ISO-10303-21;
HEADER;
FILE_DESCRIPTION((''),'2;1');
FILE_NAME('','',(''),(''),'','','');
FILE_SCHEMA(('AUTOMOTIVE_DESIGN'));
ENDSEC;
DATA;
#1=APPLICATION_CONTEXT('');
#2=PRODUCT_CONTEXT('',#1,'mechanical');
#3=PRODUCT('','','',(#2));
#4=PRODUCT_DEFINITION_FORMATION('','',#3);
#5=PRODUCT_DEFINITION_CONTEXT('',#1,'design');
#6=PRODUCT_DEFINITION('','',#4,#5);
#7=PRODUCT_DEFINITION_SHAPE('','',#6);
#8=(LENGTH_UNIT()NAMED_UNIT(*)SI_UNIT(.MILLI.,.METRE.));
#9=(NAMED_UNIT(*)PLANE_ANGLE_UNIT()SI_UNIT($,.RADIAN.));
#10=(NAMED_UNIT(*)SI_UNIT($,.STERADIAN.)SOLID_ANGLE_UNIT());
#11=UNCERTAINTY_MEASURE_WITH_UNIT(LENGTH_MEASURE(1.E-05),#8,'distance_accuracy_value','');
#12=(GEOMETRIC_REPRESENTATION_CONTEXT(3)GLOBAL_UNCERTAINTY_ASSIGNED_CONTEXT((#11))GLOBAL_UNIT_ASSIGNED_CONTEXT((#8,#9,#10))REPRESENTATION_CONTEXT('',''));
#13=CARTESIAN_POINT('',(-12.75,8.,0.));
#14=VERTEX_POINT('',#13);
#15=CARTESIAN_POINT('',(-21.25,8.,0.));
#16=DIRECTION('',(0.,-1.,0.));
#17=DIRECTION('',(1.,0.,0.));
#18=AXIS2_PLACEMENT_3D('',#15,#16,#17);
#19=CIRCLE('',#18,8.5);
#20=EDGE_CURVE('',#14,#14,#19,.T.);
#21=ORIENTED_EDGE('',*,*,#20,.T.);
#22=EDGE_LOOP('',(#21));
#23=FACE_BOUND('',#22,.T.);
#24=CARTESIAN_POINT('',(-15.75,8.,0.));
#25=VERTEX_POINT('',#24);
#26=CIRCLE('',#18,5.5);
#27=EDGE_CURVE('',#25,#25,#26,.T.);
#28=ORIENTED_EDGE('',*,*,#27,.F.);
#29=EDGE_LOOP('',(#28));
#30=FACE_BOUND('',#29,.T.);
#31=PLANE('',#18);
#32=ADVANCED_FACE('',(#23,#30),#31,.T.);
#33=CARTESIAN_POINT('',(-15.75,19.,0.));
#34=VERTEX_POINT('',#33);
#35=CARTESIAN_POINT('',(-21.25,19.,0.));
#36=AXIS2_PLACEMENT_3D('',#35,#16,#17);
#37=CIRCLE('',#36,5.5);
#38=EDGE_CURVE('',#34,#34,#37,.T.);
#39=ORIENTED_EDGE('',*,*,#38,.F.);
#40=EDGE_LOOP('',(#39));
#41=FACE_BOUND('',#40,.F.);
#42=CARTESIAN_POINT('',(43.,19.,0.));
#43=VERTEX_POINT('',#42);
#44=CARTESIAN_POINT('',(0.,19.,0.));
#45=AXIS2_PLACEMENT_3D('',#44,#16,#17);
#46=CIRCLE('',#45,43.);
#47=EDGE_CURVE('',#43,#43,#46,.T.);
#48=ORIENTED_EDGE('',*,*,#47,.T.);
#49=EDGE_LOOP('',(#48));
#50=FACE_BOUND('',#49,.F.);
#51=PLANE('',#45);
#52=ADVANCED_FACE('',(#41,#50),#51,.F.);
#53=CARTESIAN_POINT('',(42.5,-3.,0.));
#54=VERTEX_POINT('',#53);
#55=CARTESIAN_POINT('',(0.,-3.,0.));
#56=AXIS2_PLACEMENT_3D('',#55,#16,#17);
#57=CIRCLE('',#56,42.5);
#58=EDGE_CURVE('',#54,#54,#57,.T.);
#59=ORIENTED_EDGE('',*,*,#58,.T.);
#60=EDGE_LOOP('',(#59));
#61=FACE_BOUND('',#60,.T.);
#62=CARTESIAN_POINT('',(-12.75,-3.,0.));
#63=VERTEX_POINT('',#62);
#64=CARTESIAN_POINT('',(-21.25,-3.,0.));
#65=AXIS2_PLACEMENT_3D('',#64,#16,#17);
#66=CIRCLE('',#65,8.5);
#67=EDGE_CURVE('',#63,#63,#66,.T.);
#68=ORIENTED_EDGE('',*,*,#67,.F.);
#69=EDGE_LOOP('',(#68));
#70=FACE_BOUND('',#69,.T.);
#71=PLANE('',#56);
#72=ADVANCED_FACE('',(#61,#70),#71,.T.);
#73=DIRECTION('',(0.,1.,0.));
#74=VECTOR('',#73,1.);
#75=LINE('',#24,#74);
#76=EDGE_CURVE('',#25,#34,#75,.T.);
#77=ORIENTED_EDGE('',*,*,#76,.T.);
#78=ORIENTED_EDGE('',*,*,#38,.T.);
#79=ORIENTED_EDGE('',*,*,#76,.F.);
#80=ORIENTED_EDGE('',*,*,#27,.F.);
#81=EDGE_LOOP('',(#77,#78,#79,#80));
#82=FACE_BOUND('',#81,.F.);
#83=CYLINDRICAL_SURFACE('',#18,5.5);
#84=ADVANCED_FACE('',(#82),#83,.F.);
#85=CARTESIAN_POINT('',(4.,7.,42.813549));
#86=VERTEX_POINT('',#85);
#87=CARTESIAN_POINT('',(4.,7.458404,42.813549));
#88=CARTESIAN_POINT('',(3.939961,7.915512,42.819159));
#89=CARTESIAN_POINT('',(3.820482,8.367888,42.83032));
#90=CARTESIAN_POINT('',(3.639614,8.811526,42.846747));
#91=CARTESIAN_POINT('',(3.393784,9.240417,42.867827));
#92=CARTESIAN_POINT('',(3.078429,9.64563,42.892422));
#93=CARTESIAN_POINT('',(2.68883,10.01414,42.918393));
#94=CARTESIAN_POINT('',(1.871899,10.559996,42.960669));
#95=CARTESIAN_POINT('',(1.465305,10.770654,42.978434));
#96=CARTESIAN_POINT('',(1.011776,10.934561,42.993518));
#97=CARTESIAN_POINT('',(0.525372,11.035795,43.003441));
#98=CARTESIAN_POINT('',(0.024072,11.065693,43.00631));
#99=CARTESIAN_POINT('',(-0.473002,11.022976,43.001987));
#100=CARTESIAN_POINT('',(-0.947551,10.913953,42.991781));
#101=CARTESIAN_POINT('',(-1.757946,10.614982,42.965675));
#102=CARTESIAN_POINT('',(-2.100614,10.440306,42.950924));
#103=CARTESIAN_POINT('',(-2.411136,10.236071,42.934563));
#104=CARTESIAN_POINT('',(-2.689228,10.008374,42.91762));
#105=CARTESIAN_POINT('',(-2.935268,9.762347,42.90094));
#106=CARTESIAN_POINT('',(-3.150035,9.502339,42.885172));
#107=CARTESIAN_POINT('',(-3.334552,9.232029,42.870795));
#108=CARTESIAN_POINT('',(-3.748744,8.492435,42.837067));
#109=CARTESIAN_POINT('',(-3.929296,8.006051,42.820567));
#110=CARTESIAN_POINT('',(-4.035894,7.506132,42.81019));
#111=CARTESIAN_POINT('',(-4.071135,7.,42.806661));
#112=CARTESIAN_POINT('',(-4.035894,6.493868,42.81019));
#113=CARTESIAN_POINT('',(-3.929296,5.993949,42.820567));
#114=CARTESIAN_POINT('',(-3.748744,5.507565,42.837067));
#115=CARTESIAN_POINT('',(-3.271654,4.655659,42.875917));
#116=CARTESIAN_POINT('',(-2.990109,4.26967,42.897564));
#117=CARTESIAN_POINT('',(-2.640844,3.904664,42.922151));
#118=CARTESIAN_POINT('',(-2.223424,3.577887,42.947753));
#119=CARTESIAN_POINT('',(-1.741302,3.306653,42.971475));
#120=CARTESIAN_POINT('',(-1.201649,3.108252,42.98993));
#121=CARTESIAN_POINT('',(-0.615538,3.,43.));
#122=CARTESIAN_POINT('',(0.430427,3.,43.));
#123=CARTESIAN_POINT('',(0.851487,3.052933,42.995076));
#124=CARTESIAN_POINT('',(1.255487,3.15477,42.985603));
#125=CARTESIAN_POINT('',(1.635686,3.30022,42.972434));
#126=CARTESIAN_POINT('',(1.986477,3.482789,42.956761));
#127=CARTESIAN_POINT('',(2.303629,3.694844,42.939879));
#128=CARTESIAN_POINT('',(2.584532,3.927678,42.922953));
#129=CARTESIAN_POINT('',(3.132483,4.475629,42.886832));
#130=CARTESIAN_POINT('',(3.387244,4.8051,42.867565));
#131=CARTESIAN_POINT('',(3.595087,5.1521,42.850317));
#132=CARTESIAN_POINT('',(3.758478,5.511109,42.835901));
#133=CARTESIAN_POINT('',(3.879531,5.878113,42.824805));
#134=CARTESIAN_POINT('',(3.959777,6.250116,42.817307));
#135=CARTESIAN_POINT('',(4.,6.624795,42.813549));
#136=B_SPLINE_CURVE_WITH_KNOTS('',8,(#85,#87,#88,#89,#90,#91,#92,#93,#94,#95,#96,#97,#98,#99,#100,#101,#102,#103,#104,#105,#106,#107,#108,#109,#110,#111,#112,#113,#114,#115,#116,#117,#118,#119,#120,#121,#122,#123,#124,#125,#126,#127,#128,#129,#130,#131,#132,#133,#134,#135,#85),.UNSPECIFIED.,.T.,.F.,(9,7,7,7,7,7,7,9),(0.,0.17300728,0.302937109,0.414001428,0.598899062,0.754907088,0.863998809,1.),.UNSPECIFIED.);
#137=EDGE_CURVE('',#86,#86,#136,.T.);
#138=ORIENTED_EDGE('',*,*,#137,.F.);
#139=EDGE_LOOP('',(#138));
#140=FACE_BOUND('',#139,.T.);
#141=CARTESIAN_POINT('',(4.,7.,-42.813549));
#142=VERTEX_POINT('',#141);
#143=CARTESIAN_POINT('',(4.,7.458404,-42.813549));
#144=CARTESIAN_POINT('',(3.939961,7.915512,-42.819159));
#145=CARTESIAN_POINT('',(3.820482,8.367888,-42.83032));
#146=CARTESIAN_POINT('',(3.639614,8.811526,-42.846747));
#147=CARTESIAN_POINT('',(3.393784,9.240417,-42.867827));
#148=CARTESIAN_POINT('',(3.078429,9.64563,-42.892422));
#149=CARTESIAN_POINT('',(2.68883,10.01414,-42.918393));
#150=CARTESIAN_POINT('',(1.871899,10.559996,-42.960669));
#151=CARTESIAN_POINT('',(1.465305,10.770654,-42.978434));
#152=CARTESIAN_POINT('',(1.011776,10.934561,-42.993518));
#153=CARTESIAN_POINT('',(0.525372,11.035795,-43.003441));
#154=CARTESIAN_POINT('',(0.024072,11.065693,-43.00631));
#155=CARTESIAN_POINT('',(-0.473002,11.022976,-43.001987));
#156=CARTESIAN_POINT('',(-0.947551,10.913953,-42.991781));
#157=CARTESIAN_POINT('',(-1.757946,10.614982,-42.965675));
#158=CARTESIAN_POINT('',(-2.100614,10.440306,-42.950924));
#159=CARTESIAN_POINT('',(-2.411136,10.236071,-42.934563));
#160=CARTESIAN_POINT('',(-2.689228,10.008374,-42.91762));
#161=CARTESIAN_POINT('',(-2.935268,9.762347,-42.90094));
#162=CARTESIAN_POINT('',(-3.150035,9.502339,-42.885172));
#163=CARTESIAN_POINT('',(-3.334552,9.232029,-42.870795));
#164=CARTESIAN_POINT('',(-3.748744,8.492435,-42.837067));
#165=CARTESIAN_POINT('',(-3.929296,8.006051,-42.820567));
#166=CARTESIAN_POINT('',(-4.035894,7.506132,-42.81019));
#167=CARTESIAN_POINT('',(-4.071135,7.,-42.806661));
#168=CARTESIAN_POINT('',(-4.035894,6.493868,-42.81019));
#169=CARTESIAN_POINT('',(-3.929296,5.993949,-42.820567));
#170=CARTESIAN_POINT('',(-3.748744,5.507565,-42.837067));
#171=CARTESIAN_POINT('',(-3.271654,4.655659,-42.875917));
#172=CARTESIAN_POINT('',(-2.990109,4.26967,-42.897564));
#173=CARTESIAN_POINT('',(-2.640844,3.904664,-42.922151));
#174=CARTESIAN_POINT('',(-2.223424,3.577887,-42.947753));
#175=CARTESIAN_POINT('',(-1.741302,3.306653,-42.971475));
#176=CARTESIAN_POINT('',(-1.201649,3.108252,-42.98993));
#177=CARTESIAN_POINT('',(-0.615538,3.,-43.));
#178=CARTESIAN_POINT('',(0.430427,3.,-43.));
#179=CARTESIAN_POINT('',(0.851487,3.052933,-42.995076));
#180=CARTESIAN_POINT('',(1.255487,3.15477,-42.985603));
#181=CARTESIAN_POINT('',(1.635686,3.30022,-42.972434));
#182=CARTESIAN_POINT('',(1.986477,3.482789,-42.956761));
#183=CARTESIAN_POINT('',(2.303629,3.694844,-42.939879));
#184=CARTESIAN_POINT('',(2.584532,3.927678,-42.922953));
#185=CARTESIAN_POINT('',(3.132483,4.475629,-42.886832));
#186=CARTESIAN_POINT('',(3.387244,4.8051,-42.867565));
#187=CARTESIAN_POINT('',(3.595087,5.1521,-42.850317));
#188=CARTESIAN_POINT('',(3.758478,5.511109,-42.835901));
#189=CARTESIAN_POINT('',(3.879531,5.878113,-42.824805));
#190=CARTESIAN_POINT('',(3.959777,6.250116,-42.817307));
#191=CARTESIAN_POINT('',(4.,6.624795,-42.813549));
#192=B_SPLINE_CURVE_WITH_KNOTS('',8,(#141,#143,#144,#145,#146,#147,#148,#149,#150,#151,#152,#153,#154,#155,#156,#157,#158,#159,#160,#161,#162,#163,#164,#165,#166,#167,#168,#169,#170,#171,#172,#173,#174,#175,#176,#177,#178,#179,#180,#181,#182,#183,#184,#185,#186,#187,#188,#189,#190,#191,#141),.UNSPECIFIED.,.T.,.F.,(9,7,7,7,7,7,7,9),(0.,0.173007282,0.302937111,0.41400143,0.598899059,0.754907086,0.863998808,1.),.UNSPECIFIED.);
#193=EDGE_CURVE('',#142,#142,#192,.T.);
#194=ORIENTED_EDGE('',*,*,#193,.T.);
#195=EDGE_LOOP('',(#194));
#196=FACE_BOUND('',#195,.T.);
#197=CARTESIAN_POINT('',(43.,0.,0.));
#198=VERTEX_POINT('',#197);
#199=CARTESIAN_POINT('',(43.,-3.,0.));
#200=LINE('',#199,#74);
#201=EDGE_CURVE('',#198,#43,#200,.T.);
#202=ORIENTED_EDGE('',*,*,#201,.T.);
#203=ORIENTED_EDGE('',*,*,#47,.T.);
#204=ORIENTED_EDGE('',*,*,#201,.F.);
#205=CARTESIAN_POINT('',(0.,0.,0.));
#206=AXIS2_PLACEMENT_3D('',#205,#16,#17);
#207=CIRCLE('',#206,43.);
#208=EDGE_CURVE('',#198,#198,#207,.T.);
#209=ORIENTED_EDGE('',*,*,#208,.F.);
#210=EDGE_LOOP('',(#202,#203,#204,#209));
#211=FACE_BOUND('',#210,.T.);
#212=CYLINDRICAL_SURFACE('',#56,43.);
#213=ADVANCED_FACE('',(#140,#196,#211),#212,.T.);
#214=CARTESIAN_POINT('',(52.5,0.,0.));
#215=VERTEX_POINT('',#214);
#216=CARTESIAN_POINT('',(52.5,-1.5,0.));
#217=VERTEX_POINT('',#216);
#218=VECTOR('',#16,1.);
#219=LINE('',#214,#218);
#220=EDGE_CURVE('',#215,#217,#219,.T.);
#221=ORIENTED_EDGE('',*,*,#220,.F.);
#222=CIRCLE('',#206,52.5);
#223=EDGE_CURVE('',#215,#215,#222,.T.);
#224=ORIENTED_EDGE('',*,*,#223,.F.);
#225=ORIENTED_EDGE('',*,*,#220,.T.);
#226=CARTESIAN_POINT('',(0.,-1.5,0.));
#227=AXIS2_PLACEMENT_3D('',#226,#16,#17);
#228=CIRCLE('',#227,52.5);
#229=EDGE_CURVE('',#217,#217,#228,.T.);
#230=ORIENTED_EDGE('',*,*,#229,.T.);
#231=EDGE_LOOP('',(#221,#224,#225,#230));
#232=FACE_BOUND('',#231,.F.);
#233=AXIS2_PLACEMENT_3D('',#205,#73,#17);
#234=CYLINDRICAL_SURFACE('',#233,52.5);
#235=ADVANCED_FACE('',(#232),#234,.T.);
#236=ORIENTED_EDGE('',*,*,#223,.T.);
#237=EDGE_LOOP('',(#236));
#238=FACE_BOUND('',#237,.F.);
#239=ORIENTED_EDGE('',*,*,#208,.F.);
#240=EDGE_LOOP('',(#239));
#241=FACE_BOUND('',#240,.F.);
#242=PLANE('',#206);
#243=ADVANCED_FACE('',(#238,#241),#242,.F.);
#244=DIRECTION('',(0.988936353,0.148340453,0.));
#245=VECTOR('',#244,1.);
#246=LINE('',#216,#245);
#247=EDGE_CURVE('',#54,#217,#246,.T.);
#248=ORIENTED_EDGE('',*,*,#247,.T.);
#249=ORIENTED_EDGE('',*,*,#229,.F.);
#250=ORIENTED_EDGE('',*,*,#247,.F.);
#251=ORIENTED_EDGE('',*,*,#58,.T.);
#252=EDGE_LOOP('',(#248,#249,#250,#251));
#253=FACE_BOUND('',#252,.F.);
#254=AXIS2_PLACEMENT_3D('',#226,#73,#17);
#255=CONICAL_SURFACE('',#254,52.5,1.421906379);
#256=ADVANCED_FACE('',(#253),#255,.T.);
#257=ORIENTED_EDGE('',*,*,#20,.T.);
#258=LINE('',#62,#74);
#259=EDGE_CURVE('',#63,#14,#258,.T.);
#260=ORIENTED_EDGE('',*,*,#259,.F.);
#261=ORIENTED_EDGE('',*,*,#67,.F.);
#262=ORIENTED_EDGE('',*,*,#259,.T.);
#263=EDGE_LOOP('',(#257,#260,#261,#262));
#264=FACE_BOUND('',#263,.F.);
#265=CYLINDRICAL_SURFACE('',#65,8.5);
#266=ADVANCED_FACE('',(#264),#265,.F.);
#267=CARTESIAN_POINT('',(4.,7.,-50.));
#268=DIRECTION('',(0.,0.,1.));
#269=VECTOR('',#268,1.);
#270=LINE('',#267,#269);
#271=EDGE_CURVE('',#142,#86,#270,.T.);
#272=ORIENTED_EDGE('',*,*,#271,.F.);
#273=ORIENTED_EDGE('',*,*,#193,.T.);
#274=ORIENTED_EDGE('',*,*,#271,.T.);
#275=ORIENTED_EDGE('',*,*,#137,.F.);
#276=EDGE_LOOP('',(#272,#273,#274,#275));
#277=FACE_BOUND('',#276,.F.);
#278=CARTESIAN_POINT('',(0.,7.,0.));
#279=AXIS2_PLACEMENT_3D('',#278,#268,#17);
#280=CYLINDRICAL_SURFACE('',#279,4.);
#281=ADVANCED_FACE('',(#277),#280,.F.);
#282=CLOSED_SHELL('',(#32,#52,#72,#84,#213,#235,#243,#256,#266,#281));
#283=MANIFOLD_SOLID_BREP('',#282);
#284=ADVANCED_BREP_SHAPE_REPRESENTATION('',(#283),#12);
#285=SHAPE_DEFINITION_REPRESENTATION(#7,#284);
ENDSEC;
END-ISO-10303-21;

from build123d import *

# Parameters (mm, degrees)
F0_R      = 52.5
F1_DEPTH  = 3
F2_R      = 43
F3_DEPTH  = 22
F4_R      = 8.5
F5_DEPTH  = 11
F6_R      = 5.5
F7_DEPTH  = 11.001
F8_SIZE2  = 1.5
F8_SIZE   = 10
F9_R      = 4
F10_DEPTH = 50


with BuildPart() as f1:
    # F0 (on Front) → F1 (new body)
    with BuildSketch(Plane.XZ):
        Circle(F0_R)
    extrude(amount=F1_DEPTH)

    # F2 (on face) → F3 (join)
    with BuildSketch(Plane.XZ.offset(3)):
        Circle(F2_R)
    extrude(amount=-F3_DEPTH)

    # F4 (on face) → F5 (cut)
    with BuildSketch(Plane.XZ.offset(3)):
        with Locations((-21.25, 0)):
            Circle(F4_R)
    extrude(amount=-F5_DEPTH, mode=Mode.SUBTRACT)

    # F6 (on face) → F7 (cut, through all)
    with BuildSketch(Plane.XZ.offset(-8)):
        with Locations((-21.25, 0)):
            Circle(F6_R)
    extrude(amount=-F7_DEPTH, mode=Mode.SUBTRACT)

    # F8
    f8_edges = [f1.edges().sort_by_distance(p)[0] for p in [
        (-52.5, -3, 0),
    ]]
    f8_side = f1.faces().sort_by_distance((0.572024, -3, 0))[0]
    chamfer(f8_edges, length=F8_SIZE, length2=F8_SIZE2, reference=f8_side)

    # F9 (on Top) → F10 (cut, symmetric)
    with BuildSketch(Plane.XY):
        with Locations((0, 7)):
            Circle(F9_R)
    extrude(amount=F10_DEPTH, both=True, mode=Mode.SUBTRACT)


solid = f1.part
